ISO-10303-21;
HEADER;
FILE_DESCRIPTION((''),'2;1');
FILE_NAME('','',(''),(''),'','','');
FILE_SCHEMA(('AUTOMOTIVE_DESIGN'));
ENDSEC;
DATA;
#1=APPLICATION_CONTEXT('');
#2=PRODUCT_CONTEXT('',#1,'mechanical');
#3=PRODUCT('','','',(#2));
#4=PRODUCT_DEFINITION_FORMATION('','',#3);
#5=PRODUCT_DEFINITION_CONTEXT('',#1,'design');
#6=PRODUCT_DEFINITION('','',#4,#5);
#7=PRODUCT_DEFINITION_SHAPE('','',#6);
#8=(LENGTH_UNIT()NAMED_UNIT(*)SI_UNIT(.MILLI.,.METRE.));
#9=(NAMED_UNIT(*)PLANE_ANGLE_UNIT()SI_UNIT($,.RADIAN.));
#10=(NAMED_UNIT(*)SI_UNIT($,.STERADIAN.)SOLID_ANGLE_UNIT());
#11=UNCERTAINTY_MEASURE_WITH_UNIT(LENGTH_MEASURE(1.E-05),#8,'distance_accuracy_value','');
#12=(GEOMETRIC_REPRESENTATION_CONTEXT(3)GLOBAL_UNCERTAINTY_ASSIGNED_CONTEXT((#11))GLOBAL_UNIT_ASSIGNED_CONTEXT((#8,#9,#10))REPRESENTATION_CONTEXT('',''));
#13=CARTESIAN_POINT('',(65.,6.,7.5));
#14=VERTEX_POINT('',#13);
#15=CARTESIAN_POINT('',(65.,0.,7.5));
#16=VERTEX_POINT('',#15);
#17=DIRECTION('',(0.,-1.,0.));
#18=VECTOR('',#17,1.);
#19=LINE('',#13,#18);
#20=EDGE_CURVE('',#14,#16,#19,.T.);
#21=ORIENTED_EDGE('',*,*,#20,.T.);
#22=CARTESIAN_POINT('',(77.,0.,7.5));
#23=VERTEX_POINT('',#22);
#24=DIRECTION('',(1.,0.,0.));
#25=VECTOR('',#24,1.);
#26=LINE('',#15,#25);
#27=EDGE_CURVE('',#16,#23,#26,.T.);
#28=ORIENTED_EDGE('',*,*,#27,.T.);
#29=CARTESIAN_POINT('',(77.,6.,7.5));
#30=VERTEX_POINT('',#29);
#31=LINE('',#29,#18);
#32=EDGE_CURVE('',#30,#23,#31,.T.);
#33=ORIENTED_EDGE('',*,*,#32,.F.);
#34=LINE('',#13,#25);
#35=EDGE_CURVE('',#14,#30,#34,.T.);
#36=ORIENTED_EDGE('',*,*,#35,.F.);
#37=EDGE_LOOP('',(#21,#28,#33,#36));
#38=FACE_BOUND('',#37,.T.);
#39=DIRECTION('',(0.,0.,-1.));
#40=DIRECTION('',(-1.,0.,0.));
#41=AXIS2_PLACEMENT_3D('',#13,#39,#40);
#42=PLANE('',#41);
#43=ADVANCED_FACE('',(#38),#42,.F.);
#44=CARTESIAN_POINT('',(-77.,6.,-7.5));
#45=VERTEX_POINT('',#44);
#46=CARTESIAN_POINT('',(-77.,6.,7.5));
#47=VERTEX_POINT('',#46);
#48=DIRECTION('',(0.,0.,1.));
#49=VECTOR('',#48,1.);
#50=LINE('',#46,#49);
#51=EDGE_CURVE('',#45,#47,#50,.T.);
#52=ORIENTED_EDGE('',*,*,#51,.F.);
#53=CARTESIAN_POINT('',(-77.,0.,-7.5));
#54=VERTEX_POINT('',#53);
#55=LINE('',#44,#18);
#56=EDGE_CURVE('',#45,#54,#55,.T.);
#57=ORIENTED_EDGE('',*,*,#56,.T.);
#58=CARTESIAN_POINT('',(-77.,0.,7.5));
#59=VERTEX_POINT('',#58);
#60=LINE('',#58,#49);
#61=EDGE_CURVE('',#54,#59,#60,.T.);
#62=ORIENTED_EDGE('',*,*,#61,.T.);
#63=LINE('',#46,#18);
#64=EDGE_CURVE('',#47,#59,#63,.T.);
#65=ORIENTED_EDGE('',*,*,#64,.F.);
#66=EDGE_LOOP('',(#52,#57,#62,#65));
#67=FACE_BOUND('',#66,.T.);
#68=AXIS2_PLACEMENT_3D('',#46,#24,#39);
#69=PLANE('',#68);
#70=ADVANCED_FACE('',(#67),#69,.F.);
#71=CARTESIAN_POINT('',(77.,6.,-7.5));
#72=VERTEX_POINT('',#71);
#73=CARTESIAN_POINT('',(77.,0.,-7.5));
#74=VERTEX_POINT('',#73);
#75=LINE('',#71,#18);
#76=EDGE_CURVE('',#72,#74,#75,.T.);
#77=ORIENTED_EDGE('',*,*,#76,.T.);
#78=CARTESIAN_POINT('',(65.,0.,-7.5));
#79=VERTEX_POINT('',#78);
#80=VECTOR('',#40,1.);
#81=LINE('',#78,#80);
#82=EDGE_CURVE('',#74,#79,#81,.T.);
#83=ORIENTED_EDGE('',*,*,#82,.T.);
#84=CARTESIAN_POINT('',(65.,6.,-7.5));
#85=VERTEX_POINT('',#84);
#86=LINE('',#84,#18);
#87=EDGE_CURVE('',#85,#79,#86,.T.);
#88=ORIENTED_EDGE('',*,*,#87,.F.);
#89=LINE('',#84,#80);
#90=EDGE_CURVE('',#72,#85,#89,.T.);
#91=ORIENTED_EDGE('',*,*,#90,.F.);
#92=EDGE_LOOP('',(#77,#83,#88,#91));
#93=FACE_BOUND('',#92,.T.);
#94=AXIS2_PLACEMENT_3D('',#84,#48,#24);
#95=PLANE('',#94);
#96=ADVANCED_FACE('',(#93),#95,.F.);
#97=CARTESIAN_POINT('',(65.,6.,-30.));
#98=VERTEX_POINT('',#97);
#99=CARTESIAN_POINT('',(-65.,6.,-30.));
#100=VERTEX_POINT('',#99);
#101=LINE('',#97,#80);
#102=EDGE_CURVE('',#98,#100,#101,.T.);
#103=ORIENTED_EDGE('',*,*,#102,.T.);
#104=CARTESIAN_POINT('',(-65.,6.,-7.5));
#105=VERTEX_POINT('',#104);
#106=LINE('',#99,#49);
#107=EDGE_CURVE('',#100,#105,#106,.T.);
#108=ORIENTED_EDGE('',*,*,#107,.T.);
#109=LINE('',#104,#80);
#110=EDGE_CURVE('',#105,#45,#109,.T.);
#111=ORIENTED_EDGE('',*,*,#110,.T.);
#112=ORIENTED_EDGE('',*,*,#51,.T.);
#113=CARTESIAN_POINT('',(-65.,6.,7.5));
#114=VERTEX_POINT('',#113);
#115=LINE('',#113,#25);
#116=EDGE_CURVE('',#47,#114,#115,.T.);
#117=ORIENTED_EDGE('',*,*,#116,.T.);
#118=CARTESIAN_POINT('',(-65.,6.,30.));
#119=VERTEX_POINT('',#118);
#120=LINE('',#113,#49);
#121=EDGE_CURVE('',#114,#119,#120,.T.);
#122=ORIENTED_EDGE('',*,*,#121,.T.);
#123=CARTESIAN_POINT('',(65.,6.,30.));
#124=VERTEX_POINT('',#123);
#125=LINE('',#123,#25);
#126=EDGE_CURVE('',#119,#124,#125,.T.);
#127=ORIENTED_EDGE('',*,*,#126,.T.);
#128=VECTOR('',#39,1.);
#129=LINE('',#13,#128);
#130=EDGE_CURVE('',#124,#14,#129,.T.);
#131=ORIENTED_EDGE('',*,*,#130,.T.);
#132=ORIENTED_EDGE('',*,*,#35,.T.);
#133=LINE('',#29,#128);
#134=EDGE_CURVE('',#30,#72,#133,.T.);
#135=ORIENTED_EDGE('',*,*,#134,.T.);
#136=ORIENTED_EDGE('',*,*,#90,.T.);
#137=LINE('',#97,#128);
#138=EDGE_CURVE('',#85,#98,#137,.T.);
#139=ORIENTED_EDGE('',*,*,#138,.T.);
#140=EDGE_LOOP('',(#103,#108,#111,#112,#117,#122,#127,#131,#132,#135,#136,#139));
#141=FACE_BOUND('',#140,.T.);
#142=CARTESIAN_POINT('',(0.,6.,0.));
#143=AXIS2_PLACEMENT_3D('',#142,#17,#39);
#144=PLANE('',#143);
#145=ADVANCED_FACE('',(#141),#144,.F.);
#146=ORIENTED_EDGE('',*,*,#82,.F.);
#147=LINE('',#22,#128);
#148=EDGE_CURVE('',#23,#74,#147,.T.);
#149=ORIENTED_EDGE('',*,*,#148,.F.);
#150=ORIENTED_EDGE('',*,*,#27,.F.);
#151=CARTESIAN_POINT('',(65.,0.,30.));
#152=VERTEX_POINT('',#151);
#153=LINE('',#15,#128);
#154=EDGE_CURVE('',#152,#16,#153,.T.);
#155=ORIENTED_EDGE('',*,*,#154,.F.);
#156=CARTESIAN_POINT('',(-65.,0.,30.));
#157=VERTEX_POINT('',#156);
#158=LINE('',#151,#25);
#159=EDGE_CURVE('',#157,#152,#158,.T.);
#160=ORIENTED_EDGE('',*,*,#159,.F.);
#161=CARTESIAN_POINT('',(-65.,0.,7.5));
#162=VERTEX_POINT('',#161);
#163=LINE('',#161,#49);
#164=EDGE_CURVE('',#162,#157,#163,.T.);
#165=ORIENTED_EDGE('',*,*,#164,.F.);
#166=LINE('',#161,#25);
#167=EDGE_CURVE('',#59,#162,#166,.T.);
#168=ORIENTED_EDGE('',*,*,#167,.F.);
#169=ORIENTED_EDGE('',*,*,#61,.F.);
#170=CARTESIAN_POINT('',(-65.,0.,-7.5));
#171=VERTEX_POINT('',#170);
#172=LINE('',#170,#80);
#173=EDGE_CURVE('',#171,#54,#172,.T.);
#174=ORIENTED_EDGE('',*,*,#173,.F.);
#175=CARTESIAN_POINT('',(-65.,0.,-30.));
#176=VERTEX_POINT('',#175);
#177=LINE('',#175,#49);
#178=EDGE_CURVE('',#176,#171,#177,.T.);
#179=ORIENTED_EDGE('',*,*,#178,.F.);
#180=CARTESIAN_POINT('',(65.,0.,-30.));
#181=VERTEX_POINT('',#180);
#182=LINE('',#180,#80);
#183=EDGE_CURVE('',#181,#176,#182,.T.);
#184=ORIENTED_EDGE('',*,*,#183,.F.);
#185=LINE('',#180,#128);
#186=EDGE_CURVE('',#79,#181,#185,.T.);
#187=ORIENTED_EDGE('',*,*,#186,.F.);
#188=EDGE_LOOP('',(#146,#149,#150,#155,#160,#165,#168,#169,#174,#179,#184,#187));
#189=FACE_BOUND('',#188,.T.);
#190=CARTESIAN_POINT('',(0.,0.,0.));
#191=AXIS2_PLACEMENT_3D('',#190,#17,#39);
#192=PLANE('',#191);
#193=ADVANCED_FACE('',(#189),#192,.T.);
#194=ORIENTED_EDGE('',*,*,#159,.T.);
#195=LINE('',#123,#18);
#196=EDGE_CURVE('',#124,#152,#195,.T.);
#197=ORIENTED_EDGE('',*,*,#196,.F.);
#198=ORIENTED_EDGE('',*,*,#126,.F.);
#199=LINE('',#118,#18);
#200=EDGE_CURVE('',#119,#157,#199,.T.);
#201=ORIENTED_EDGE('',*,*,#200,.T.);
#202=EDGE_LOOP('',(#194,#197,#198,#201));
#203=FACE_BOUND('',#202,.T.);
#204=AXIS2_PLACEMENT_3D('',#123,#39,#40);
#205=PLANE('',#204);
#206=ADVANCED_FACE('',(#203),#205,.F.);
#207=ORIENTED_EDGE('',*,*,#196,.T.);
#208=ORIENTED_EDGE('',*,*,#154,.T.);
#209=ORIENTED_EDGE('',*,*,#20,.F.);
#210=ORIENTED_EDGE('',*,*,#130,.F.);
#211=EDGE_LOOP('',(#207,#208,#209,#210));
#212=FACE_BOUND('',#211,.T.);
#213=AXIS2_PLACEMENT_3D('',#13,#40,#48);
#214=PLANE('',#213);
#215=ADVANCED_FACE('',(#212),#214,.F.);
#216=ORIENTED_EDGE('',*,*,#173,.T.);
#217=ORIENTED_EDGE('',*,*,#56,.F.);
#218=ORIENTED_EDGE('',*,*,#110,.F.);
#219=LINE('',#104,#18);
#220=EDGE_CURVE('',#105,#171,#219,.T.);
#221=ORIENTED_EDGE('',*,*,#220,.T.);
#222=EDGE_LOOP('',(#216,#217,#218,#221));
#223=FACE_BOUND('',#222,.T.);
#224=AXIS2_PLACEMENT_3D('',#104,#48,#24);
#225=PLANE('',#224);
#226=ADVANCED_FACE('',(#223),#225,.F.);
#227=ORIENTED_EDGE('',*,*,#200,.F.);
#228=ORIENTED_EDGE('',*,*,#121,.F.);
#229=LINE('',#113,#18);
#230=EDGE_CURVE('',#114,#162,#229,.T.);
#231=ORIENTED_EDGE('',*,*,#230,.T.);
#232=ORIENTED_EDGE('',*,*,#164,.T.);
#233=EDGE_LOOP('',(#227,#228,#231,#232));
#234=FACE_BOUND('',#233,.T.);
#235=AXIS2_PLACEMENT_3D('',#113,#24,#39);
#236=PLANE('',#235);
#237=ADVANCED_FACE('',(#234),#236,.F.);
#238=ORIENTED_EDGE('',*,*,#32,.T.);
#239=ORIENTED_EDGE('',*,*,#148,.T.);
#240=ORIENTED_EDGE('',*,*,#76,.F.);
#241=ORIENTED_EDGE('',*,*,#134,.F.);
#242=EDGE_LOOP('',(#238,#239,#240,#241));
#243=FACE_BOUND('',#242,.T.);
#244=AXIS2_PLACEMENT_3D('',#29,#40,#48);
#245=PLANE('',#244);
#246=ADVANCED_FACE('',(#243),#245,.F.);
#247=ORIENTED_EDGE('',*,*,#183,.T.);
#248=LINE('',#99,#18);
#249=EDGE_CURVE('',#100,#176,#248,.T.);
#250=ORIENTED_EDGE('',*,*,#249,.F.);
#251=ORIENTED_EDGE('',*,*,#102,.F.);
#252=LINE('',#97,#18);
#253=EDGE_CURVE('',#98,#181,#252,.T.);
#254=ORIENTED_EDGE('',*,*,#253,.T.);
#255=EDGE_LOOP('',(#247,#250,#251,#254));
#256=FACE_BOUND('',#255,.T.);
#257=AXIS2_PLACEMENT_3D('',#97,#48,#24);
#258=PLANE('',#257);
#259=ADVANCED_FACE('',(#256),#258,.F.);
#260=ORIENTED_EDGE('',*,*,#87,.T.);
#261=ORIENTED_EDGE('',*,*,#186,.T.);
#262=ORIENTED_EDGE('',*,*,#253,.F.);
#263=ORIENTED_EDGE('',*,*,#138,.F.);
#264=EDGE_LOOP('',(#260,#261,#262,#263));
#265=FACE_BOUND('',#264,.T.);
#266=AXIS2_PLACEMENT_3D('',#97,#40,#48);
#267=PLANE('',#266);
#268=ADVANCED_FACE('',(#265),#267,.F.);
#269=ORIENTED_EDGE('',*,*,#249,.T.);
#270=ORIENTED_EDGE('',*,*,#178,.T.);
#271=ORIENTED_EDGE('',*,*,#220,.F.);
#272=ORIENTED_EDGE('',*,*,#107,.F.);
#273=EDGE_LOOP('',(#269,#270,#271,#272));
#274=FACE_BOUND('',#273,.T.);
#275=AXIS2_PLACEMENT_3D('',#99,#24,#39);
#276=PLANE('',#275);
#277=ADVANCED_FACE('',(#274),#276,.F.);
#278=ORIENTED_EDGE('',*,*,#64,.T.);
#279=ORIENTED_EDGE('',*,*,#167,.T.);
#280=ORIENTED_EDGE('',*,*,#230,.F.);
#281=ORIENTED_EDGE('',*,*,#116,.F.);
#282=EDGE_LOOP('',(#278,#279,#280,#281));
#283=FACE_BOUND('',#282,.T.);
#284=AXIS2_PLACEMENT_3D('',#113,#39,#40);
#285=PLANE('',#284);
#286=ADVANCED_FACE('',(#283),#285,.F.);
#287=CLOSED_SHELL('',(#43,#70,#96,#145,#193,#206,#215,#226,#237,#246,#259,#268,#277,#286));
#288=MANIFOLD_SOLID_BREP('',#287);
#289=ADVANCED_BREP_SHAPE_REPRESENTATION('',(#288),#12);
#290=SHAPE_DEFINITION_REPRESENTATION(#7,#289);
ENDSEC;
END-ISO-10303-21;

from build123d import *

# Parameters (mm, degrees)
GRUNDPLATTE_DEPTH = 6


with BuildPart() as part:
    # Skizze1 → Grundplatte (new body)
    with BuildSketch(Plane(origin=(0, 0, 0), x_dir=(1, 0, 0), z_dir=(0, 1, 0))):
        Polygon((65, 30), (-65, 30), (-65, 7.5), (-77, 7.5), (-77, -7.5), (-65, -7.5), (-65, -30), (65, -30), (65, -7.5), (77, -7.5), (77, 7.5), (65, 7.5), align=None)
    extrude(amount=GRUNDPLATTE_DEPTH)


solid = part.part
